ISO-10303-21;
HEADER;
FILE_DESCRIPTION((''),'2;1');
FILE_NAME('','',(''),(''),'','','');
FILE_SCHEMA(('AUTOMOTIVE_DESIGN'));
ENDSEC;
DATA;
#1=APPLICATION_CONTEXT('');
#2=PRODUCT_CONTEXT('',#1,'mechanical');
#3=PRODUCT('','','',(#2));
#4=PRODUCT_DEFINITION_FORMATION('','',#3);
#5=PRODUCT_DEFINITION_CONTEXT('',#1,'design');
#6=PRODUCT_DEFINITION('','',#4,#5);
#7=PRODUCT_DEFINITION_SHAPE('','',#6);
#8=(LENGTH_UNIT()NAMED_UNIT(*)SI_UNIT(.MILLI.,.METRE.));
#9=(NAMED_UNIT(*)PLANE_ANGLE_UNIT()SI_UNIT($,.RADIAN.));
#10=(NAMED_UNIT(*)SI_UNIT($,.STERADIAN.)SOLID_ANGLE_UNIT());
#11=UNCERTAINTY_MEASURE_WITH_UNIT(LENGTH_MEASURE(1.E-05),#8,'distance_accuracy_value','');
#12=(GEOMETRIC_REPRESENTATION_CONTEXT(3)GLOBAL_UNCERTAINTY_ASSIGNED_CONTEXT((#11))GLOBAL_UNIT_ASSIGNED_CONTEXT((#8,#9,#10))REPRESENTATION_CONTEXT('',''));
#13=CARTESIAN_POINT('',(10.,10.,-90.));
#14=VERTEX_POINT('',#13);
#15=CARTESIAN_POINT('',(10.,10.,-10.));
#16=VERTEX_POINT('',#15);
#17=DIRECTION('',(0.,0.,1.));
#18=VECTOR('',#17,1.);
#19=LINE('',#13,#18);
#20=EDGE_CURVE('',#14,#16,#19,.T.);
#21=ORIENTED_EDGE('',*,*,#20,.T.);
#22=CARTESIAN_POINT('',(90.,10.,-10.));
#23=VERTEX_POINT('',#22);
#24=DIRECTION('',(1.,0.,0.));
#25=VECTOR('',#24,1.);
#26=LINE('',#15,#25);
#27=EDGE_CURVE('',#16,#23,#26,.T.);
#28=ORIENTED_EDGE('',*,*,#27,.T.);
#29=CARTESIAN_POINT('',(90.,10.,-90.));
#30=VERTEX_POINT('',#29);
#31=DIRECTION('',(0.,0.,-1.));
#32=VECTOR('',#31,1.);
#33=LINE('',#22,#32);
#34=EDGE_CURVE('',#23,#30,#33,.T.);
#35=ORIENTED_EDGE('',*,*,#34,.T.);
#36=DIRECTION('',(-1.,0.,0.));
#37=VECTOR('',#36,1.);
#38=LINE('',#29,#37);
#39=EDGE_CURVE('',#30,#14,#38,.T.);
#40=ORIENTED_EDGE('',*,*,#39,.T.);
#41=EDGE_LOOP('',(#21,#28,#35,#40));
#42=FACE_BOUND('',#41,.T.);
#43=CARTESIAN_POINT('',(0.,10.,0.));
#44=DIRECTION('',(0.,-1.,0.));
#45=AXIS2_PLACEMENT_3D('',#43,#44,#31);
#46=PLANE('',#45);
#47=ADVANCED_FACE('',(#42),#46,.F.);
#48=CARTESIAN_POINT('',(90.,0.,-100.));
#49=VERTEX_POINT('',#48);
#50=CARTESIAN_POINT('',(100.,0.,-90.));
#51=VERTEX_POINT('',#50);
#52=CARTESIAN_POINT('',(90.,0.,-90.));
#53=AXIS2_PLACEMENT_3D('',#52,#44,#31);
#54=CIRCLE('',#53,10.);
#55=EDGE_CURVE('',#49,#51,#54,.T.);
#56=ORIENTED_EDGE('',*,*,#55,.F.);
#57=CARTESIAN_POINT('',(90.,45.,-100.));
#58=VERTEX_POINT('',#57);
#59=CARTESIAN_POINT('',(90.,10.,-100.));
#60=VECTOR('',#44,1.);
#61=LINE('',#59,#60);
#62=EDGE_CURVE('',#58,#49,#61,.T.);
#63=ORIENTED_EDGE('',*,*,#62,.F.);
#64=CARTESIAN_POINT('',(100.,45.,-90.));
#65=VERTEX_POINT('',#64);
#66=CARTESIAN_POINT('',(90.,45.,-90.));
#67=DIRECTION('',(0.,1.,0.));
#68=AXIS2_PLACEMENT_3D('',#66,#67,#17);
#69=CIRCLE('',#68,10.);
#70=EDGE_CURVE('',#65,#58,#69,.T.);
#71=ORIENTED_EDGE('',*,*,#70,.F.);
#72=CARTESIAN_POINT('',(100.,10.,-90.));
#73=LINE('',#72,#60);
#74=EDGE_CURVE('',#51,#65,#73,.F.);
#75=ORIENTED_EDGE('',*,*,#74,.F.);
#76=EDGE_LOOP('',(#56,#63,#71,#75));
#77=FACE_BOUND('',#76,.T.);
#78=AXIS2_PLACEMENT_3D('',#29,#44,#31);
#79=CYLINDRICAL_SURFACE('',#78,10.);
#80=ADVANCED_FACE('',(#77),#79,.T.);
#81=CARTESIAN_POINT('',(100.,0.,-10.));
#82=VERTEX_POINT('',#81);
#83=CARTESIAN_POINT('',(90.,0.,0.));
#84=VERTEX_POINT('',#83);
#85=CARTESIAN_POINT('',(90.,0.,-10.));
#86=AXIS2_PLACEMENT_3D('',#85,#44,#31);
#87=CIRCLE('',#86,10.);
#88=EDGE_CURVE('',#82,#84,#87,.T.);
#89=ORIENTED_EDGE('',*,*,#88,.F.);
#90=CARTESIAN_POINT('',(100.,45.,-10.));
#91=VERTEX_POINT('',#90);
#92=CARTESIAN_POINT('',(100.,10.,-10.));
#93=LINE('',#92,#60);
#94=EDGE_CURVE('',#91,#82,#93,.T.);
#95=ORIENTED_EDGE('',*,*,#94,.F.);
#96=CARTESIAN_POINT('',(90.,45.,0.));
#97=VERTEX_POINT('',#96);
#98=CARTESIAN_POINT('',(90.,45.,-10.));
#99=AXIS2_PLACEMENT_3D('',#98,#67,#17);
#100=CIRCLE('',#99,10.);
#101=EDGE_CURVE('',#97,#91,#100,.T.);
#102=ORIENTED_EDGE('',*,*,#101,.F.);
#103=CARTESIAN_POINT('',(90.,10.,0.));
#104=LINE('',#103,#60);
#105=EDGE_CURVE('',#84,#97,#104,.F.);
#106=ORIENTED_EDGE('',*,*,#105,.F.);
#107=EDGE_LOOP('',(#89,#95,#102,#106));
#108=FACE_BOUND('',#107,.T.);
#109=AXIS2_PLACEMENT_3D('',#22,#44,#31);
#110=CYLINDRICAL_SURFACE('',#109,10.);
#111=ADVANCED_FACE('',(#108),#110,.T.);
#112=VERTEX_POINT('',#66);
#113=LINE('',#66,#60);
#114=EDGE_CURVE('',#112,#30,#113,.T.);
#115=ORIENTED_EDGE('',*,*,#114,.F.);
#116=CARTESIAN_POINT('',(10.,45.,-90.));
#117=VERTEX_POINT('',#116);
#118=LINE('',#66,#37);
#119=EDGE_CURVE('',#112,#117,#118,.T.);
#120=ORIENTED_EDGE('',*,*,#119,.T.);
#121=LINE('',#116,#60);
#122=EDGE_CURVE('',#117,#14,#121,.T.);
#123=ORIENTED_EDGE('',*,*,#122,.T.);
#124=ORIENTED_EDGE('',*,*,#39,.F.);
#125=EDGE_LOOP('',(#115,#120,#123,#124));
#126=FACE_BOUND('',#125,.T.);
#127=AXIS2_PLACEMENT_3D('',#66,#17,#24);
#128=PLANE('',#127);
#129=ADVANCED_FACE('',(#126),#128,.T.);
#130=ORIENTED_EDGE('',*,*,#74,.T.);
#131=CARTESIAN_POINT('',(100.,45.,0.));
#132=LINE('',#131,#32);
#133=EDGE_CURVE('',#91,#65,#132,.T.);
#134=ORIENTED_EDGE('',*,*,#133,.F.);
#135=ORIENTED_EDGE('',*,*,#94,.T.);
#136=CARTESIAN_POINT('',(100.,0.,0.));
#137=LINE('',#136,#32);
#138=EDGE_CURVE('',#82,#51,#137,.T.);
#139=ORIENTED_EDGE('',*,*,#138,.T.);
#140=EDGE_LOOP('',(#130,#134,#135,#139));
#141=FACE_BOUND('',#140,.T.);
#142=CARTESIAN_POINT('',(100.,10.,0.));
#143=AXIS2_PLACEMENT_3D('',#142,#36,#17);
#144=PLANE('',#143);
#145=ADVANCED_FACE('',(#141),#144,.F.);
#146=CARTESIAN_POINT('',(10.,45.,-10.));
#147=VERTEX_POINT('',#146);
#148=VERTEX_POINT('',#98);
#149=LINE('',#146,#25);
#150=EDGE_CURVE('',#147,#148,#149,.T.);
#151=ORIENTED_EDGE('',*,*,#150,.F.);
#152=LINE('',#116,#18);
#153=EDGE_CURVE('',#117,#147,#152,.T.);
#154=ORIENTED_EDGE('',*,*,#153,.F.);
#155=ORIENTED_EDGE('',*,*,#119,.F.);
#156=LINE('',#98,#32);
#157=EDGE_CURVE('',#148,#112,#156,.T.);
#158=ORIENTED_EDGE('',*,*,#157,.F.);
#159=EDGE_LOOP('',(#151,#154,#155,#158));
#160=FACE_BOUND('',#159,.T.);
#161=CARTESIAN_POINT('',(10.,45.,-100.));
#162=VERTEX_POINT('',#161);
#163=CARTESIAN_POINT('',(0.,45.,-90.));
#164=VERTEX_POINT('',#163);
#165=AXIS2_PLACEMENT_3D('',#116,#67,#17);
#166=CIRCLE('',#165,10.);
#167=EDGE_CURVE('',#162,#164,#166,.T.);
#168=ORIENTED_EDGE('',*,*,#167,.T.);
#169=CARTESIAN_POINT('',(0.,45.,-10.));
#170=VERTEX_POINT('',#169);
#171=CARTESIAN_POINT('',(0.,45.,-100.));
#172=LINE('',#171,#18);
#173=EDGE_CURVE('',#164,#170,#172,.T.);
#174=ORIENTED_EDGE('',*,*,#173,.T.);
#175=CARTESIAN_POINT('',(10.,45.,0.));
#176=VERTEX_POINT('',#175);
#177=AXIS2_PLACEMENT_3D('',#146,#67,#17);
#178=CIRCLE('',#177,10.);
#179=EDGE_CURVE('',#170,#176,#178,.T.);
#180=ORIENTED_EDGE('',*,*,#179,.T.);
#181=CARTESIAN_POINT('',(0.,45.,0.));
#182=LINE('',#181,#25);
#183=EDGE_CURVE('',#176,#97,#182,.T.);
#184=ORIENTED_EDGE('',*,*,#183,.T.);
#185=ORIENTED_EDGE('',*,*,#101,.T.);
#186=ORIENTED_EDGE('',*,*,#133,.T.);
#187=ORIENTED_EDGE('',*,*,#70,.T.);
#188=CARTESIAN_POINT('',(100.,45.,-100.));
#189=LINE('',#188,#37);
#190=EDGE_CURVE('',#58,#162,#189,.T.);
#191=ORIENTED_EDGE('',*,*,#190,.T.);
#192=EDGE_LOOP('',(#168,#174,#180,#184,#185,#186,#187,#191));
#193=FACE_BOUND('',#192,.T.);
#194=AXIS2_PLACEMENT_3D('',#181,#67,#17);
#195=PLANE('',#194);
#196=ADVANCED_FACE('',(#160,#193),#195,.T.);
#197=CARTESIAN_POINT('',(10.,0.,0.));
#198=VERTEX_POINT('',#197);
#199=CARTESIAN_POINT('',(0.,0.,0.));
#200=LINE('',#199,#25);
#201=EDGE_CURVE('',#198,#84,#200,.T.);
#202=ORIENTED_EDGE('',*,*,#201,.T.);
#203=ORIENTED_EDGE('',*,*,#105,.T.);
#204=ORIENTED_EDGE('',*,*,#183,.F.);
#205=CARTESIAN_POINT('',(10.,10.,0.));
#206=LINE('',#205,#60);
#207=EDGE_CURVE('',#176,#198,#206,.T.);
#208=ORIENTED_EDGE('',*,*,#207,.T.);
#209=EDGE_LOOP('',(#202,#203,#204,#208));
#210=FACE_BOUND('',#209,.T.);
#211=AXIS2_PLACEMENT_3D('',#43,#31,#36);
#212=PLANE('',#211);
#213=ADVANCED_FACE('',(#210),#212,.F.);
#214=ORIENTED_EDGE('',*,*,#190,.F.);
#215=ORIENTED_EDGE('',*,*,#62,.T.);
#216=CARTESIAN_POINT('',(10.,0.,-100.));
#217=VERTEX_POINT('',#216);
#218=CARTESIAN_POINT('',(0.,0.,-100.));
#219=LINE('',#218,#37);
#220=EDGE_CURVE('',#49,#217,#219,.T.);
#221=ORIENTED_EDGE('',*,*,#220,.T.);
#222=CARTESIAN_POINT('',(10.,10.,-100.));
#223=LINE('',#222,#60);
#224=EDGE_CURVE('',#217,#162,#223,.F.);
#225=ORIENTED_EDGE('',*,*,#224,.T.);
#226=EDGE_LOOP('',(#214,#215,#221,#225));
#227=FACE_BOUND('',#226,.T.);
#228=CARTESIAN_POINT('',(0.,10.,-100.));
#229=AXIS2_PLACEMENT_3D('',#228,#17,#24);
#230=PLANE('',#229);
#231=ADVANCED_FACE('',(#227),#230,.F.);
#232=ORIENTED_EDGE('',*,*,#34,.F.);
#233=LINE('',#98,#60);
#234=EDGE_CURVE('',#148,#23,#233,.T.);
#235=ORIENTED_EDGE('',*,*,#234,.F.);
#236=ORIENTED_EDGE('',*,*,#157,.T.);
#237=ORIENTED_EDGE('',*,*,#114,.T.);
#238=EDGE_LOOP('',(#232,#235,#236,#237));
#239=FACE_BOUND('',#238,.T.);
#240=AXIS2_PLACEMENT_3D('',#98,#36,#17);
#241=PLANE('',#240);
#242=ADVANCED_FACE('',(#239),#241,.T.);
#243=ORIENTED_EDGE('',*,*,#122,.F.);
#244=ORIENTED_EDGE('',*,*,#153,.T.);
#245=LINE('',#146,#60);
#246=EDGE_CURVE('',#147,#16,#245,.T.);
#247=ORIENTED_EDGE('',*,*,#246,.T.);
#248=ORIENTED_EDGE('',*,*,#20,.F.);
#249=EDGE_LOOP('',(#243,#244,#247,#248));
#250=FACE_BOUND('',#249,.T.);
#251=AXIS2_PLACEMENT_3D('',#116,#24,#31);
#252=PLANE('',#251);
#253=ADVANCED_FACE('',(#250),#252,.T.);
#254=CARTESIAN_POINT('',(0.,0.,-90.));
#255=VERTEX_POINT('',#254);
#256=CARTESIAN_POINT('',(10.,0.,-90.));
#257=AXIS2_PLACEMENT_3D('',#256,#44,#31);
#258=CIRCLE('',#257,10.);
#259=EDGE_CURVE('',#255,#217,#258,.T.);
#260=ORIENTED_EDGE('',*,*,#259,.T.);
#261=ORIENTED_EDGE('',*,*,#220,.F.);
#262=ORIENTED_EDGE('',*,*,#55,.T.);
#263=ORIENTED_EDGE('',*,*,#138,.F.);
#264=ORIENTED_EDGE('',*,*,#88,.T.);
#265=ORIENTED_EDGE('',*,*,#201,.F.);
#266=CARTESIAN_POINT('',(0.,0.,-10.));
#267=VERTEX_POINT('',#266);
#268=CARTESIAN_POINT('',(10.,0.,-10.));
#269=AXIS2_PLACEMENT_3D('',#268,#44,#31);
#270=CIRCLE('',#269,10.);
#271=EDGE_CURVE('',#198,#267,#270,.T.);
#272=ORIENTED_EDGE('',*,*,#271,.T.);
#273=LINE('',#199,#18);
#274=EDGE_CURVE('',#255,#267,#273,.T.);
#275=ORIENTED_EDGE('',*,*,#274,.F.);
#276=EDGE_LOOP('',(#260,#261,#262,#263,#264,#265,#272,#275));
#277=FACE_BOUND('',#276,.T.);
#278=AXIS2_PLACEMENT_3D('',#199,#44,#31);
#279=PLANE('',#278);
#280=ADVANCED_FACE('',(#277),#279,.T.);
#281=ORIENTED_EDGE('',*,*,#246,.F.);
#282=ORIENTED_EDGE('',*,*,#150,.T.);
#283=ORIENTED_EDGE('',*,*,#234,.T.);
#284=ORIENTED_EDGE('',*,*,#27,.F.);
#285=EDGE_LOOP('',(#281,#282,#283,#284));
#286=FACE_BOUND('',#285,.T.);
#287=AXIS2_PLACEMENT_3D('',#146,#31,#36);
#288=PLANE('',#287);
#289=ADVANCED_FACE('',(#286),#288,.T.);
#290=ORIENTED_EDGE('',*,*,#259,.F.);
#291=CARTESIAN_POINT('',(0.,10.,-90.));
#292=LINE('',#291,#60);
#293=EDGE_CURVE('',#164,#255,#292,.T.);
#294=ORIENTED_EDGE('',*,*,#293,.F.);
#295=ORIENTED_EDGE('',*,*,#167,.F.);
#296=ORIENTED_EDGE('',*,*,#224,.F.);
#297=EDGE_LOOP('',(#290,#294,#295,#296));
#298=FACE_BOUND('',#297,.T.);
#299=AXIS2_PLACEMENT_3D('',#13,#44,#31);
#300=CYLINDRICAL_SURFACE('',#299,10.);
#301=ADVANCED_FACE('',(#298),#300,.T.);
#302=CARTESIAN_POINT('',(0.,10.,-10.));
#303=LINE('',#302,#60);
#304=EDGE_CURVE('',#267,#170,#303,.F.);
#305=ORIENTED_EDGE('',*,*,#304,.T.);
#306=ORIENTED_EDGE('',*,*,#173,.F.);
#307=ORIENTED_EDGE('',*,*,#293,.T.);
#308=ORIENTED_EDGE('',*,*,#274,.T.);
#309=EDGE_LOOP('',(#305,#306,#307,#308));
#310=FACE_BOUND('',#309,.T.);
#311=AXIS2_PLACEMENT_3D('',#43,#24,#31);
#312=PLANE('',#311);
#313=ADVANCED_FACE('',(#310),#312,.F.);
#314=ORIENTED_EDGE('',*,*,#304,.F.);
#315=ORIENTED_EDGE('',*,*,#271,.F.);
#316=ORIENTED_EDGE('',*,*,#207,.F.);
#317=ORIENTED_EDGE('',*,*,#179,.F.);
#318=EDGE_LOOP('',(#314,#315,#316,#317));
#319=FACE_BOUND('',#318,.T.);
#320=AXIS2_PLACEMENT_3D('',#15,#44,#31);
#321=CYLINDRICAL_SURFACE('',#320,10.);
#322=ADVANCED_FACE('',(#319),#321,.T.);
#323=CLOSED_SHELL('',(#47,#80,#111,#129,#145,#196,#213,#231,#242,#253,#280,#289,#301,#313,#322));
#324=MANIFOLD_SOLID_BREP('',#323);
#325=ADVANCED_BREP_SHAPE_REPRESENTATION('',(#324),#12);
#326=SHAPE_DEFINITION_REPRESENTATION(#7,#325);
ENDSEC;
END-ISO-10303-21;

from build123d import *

# Parameters (mm, degrees)
SKETCH3_W           = 100
SKETCH3_H           = 100
BOSS_EXTRUDE1_DEPTH = 10
SKETCH4_W           = 100
SKETCH4_H           = 100
SKETCH4_W_2         = 80
SKETCH4_H_2         = 80
BOSS_EXTRUDE2_DEPTH = 35
FILLET1_R           = 10


with BuildPart() as part:
    # Sketch3 → Boss-Extrude1 (new body)
    with BuildSketch(Plane(origin=(0, 0, 0), x_dir=(1, 0, 0), z_dir=(0, 1, 0))):
        with Locations((50, 50)):
            Rectangle(SKETCH3_W, SKETCH3_H)
    extrude(amount=BOSS_EXTRUDE1_DEPTH)

    # Sketch4 → Boss-Extrude2 (add)
    with BuildSketch(Plane(origin=(0, 10, 0), x_dir=(1, 0, 0), z_dir=(0, 1, 0))):
        with Locations((50, 50)):
            Rectangle(SKETCH4_W, SKETCH4_H)
        with Locations((50, 50)):
            Rectangle(SKETCH4_W_2, SKETCH4_H_2, mode=Mode.SUBTRACT)
    extrude(amount=BOSS_EXTRUDE2_DEPTH)

    # Fillet1
    fillet1_edges = [part.edges().sort_by_distance(p)[0] for p in [
        (0, 22.5, -100),
        (100, 22.5, -100),
        (100, 22.5, 0),
        (0, 22.5, 0),
    ]]
    fillet(fillet1_edges, radius=FILLET1_R)


solid = part.part
